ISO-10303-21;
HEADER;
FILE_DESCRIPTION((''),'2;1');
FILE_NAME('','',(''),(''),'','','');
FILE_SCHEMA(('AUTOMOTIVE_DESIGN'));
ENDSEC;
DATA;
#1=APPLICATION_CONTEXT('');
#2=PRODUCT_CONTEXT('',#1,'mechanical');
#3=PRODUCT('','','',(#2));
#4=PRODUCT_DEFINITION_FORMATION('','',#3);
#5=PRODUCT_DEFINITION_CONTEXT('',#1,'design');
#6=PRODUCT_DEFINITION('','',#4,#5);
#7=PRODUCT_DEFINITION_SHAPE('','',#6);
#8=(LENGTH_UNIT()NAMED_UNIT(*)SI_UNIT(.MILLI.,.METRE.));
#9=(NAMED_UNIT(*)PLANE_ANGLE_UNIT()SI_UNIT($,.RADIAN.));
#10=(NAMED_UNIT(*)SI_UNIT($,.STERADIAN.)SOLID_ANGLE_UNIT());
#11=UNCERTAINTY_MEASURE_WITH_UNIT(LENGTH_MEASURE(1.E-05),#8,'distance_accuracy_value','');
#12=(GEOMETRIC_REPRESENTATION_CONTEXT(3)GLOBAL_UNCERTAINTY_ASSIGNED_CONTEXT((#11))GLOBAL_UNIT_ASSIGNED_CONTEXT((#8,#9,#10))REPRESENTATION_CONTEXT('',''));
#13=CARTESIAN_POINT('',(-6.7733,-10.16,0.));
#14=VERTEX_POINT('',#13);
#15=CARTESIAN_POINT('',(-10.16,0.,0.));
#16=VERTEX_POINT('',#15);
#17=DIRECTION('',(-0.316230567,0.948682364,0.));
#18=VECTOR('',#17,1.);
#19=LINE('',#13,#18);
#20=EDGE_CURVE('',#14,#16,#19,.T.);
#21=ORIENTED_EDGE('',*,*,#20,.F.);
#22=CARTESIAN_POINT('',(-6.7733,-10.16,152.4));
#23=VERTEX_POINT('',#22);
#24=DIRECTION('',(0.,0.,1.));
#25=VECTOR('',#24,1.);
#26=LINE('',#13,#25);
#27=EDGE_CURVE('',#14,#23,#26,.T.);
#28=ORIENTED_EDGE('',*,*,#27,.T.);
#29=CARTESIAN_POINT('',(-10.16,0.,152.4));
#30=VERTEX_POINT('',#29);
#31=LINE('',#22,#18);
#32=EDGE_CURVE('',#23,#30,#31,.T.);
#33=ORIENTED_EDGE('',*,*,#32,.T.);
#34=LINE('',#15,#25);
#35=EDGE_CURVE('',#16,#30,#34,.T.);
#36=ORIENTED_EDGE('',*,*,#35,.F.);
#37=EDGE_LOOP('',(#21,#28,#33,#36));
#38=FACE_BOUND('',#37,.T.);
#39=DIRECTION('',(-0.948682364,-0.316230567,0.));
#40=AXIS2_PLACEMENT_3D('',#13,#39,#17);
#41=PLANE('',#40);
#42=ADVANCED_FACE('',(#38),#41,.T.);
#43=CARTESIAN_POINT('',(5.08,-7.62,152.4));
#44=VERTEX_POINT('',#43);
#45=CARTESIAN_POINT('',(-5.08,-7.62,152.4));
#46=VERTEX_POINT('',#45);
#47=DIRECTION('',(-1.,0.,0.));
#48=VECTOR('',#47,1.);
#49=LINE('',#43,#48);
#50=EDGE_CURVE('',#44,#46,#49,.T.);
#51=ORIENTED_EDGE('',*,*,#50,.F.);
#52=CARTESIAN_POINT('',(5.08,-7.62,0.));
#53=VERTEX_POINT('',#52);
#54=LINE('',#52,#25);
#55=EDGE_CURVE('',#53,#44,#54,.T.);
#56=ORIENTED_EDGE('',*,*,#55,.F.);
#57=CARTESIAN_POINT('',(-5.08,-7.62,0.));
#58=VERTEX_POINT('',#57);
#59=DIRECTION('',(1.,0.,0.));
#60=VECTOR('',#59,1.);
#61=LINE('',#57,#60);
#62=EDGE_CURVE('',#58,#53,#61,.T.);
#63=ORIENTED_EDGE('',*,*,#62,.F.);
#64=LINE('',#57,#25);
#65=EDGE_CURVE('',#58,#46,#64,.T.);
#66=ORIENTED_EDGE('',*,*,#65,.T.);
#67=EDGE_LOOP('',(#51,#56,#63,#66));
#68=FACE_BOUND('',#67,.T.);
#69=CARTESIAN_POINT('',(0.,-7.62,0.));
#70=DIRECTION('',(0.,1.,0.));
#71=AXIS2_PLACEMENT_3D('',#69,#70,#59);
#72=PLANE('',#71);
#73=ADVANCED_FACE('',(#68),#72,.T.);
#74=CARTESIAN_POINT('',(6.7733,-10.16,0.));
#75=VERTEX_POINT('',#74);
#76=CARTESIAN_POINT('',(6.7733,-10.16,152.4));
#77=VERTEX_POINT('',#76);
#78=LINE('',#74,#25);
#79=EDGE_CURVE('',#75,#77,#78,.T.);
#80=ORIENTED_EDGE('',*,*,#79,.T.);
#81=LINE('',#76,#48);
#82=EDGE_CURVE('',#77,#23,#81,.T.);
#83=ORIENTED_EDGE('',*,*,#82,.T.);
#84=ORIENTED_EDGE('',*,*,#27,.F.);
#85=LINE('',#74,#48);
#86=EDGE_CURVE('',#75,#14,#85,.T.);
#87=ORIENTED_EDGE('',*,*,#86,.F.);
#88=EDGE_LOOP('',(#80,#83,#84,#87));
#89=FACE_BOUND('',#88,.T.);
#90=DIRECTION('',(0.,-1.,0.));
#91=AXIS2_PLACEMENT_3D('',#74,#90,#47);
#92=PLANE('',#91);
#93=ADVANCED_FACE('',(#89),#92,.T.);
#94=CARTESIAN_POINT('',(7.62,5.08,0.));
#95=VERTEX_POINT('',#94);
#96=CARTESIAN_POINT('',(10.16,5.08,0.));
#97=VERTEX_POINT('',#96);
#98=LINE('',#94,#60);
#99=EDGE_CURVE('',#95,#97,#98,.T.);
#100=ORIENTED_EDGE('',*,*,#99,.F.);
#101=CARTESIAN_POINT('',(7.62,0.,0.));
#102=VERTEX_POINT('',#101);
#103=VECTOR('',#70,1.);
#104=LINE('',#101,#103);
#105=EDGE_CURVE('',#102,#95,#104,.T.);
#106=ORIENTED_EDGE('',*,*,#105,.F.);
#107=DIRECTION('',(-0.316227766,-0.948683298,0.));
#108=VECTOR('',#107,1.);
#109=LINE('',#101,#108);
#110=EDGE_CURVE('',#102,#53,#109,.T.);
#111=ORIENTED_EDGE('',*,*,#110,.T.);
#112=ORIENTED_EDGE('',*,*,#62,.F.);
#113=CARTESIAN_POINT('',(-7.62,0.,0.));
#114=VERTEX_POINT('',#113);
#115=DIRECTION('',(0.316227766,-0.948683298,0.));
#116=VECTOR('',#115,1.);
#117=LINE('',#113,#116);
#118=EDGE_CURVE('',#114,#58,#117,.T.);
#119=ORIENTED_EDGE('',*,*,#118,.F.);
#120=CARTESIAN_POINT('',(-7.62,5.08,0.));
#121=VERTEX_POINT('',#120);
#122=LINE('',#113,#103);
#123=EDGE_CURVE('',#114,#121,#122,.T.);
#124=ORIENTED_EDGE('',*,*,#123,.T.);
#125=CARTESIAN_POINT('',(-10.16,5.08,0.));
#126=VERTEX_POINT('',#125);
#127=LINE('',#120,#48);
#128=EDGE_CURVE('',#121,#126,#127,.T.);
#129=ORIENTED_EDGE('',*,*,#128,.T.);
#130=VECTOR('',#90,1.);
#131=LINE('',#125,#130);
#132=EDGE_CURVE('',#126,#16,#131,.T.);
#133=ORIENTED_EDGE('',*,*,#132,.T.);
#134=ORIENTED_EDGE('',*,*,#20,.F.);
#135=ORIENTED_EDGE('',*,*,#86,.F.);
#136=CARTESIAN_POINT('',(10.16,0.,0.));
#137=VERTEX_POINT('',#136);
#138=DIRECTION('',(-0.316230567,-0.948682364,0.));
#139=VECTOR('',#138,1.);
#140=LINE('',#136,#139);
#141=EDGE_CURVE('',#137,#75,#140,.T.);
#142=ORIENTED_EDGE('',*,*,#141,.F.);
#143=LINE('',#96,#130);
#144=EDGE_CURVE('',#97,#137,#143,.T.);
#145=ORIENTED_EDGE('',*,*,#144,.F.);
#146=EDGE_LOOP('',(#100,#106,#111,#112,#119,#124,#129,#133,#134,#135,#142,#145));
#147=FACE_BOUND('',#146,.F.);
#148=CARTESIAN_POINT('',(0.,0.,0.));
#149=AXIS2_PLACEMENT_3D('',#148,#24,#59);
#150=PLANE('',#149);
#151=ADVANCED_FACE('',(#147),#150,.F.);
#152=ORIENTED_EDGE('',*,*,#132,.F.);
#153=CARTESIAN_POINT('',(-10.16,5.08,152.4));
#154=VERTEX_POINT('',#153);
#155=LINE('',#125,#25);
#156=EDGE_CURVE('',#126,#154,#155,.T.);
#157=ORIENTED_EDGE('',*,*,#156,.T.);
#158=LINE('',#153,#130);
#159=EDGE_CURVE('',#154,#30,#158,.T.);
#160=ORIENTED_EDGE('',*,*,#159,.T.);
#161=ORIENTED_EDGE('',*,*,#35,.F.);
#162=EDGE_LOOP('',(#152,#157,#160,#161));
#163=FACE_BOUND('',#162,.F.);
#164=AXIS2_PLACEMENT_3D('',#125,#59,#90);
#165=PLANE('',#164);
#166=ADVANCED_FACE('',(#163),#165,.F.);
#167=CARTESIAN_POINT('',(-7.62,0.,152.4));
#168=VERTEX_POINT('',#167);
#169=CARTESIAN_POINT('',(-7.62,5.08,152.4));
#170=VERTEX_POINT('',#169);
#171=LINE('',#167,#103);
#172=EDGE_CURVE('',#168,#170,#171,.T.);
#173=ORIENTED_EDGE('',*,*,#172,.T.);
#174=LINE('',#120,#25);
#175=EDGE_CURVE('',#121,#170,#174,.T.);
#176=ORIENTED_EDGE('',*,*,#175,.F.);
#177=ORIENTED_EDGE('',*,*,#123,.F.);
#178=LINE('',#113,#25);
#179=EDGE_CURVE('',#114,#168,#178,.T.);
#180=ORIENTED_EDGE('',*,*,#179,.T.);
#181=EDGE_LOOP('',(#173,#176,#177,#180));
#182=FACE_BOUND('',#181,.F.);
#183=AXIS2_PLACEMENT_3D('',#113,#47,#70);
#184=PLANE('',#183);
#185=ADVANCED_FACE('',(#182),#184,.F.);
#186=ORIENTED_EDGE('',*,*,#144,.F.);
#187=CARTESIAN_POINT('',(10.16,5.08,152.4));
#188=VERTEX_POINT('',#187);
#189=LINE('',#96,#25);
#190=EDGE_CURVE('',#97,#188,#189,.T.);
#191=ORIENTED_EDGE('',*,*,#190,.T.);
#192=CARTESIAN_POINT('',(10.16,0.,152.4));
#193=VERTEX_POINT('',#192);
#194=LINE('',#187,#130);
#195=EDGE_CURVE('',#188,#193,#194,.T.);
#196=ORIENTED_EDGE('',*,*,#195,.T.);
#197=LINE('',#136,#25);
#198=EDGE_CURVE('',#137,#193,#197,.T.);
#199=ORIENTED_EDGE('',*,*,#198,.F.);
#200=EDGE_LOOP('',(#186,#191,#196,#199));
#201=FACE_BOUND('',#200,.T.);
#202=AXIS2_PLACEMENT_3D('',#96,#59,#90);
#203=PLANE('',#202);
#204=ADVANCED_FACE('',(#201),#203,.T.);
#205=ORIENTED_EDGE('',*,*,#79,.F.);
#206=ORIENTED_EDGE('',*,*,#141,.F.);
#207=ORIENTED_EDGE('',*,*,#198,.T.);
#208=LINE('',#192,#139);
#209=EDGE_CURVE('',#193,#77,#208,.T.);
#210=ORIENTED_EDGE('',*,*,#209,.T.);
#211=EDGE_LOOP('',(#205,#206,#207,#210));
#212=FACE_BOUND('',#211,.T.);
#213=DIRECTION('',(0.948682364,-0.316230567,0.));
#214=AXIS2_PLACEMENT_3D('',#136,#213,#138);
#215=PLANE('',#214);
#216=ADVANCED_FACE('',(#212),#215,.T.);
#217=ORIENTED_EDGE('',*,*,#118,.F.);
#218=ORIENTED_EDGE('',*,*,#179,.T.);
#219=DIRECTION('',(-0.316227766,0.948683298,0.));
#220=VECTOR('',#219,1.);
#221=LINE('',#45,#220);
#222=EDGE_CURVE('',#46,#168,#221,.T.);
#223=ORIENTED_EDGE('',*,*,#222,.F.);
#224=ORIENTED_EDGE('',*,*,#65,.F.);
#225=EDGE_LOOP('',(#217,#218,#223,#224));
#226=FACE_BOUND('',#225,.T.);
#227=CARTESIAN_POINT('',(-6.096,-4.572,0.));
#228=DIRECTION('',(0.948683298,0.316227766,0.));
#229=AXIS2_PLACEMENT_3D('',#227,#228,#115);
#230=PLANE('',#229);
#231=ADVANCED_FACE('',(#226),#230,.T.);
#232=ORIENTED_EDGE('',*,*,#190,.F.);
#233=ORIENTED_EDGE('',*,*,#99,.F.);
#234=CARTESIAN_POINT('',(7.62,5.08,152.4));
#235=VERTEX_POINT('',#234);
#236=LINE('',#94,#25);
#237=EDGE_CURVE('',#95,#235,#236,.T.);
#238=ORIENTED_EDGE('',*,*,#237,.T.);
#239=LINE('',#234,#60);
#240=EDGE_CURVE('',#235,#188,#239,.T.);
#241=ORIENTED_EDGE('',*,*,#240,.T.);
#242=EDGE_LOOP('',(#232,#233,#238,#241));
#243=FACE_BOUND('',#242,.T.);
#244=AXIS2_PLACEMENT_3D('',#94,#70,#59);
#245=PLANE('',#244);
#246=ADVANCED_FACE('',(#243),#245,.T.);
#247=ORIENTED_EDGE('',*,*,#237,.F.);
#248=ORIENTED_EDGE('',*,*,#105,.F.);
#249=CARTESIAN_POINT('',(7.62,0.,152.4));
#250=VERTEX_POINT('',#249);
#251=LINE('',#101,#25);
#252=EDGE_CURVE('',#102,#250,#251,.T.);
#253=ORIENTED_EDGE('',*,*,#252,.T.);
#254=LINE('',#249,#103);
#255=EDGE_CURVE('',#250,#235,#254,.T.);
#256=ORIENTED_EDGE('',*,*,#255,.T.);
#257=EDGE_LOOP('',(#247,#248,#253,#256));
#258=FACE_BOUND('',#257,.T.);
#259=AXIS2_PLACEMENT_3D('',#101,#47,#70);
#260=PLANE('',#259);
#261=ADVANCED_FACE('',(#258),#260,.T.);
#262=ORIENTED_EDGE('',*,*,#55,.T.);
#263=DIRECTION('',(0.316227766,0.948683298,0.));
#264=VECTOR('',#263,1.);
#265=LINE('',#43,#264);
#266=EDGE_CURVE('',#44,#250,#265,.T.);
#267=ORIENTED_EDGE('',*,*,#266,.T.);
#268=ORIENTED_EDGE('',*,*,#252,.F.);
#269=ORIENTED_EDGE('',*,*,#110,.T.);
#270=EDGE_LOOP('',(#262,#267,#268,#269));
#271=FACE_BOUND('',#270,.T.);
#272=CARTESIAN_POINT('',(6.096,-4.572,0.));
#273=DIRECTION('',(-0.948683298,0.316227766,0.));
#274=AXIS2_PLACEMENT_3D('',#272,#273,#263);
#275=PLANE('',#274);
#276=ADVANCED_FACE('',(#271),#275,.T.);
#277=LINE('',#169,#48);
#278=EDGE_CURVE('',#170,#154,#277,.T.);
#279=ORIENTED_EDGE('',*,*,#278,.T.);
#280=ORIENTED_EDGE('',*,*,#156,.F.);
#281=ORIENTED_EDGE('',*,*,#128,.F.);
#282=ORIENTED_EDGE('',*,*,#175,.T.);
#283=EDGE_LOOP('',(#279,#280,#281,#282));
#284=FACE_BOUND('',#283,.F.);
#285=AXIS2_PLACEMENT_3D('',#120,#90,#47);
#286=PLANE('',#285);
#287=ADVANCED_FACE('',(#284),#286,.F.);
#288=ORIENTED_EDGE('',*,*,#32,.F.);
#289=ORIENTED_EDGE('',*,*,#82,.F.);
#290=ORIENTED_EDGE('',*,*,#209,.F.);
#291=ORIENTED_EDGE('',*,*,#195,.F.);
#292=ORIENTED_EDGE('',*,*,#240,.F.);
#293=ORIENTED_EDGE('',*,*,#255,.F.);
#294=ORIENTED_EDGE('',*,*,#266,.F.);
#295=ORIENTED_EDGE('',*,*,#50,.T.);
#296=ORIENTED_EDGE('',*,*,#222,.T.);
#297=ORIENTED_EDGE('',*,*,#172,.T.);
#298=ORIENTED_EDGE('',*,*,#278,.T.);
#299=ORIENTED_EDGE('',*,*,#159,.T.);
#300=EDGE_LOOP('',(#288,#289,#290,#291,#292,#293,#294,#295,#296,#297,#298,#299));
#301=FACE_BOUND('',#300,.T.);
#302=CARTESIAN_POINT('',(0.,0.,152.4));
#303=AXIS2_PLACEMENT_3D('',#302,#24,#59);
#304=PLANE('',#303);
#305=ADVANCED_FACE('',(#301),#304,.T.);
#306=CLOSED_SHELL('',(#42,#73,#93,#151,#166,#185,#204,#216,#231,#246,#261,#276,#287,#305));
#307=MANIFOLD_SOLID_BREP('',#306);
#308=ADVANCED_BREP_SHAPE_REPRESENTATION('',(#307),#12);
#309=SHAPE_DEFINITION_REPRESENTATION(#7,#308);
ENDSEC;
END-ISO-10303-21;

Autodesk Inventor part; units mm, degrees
ref_plane "YZ Plane" through (0, 0, 0) normal (1, 0, 0) x (0, 1, 0)
ref_plane "XZ Plane" through (0, 0, 0) normal (0, 1, 0) x (-1, 0, 0)
ref_plane "XY Plane" through (0, 0, 0) normal (0, 0, 1) x (1, 0, 0)
sketch "Sketch1" plane through (0, 0, 0) normal (0, 0, 1) x (1, 0, 0)
  circle A0 centre (0, 0) radius 7.62
  line L0 (-7.62, 0) -> (-7.62, 5.08)
  line L1 (0, -7.62) -> (-5.08, -7.62)
  line L2 (0, -7.62) -> (5.08, -7.62)
  line L3 (-7.62, 0) -> (-5.08, -7.62)
  line L4 (5.08, -7.62) -> (7.62, 0)
  line L5 (7.62, 0) -> (7.62, 5.08)
  line L6 (-7.62, 5.08) -> (-10.16, 5.08)
  line L7 (-10.16, 5.08) -> (-10.16, 0)
  line L8 (-5.08, -7.62) -> (-6.7733, -10.16)
  line L9 (-6.7733, -10.16) -> (-10.16, 0)
  line L10 (7.62, 5.08) -> (10.16, 5.08)
  line L11 (10.16, 5.08) -> (10.16, 0)
  line L12 (10.16, 0) -> (6.7733, -10.16)
  line L13 (6.7733, -10.16) -> (-6.7733, -10.16)
  line L14 (5.08, -7.62) -> (6.7733, -10.16)
  dimension "d0" = 15.24
  dimension "d1" = 5.08
  dimension "d2" = 5.08
  dimension "d3" = 5.08
  dimension "d4" = 5.08
  dimension "d6" = 2.54
  dimension "d7" = 2.54
  dimension "d8" = 2.54
extrude "Extrusion1" add sketch "Sketch1" along normal blind 152.4 contours L5 L10 L11 L12 L14 L4 A0 | A0 L4 | L3 A0 | A0 L3 L8 L9 L7 L6 L0 | L2 L14 L13 L8 L1
properties part number "StraightTrackv2"
